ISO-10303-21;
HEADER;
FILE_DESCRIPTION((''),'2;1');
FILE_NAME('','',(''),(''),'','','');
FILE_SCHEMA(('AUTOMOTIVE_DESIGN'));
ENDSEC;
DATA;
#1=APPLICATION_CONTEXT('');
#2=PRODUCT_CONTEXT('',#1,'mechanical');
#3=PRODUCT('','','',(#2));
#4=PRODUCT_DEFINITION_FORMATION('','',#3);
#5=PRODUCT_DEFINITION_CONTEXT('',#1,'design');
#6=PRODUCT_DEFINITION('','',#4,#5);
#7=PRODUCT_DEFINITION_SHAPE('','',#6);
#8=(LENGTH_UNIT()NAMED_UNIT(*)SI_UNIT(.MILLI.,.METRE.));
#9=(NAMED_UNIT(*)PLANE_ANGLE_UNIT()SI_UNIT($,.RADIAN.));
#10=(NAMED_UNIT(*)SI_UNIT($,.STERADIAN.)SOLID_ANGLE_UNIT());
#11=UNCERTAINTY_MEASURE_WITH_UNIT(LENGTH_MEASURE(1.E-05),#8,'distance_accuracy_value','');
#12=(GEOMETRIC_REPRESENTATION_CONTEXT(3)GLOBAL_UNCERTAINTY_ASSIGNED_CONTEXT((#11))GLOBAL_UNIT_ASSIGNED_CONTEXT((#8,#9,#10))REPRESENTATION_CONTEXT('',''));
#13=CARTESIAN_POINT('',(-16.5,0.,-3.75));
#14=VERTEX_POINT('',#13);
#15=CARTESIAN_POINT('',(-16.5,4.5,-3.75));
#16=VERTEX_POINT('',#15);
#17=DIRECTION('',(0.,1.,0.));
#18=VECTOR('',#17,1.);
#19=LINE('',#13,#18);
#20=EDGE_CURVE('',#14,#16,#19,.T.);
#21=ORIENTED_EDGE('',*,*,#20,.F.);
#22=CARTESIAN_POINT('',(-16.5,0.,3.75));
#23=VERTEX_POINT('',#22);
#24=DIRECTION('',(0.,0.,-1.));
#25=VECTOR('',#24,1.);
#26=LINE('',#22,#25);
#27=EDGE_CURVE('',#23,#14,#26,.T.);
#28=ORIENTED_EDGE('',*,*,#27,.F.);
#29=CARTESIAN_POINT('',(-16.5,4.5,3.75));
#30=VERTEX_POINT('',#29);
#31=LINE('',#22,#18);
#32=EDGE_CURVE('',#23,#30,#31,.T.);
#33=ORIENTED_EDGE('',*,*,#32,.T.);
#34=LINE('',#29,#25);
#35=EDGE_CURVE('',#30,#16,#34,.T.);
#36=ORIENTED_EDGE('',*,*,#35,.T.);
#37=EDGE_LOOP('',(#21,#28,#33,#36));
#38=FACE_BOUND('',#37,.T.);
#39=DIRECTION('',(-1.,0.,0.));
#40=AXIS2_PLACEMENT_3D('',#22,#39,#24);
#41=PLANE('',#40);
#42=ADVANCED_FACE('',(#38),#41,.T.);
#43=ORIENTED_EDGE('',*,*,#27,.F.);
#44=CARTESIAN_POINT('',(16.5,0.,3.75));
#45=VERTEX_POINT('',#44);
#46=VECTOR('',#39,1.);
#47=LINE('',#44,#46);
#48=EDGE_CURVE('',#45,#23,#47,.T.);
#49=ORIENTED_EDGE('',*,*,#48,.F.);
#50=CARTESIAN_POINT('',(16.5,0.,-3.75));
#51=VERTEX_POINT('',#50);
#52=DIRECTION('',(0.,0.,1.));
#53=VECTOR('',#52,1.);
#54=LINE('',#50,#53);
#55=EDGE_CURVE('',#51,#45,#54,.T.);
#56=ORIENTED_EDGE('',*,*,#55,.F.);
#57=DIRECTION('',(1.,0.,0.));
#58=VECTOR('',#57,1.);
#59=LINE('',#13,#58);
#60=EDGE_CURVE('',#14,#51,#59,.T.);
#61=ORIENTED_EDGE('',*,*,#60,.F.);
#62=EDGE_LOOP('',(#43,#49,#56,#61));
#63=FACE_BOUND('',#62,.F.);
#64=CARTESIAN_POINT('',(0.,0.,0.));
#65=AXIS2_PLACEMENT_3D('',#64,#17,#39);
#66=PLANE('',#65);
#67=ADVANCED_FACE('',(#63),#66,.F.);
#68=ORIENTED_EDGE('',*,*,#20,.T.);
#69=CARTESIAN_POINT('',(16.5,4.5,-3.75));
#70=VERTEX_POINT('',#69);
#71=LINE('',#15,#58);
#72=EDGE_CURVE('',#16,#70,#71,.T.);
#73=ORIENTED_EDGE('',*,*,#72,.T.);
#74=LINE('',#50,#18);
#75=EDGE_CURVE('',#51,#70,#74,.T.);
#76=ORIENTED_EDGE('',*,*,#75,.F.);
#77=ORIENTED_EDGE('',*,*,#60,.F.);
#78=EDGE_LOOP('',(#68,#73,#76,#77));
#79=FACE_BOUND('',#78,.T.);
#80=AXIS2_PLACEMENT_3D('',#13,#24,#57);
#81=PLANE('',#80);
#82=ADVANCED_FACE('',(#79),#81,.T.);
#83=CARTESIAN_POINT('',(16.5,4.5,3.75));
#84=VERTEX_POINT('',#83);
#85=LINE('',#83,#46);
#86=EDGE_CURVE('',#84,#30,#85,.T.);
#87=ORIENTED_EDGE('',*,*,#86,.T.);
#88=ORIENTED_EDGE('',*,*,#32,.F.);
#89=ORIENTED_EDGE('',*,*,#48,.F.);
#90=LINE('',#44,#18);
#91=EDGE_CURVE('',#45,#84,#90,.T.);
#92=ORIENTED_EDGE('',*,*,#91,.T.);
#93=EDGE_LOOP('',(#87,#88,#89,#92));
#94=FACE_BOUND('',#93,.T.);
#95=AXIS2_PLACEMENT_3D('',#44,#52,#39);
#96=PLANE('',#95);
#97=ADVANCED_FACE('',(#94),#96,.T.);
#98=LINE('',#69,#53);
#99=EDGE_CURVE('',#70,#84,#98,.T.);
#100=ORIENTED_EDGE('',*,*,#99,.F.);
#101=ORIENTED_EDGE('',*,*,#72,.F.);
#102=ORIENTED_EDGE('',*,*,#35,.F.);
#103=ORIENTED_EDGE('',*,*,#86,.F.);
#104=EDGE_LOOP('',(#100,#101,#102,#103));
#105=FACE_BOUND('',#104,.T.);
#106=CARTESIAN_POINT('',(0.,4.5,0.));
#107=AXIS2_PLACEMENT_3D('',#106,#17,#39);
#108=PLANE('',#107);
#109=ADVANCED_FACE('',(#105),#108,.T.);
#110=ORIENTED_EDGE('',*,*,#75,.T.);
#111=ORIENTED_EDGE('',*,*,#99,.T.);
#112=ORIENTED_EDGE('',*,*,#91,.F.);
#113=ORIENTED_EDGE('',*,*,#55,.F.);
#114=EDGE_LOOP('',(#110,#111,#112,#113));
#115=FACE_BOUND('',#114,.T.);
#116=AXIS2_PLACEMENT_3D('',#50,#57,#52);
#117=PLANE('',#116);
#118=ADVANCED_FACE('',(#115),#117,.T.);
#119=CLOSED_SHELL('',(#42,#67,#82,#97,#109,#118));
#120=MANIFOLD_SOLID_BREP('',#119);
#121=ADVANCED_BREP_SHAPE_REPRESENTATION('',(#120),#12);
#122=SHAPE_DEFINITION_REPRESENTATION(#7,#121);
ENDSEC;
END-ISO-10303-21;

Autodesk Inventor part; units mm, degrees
ref_plane "YZ Plane" through (0, 0, 0) normal (1, 0, 0) x (0, 1, 0)
ref_plane "XZ Plane" through (0, 0, 0) normal (0, 1, 0) x (-1, 0, 0)
ref_plane "XY Plane" through (0, 0, 0) normal (0, 0, 1) x (1, 0, 0)
sketch "Sketch1" plane through (0, 0, 0) normal (0, 1, 0) x (-1, 0, 0)
  line L0 (-16.5, -3.75) -> (-16.5, 3.75)
  line L1 (-16.5, 3.75) -> (16.5, 3.75)
  line L2 (16.5, 3.75) -> (16.5, -3.75)
  line L3 (16.5, -3.75) -> (-16.5, -3.75)
  line L4 (-16.5, -3.75) -> (16.5, 3.75) construction
  line L5 (-16.5, 3.75) -> (16.5, -3.75) construction
  point P0 (0, 0)
  dimension "d0" = 7.5
  dimension "d1" = 33
extrude "Extrusion1" add sketch "Sketch1" along normal blind 4.5
sketch "Sketch2" plane through (0, 4.5, 0) normal (0, 1, 0) x (1, 0, 0)
  circle A0 centre (0, 0) radius 0.8001
  line L0 (0, 0) -> (-4.45, 0)
  line L1 (0, 0) -> (4.45, 0) construction
  line L2 (-4.45, 0) -> (0, 0)
  line L3 (0, 0) -> (4.45, 0)
  circle A1 centre (-4.45, 0) radius 0.3815
  circle A2 centre (4.45, 0) radius 0.2485
  dimension "d4" = 4.45
  dimension "d5" = 180
  dimension "d6" = 4.45
properties part number "block"
